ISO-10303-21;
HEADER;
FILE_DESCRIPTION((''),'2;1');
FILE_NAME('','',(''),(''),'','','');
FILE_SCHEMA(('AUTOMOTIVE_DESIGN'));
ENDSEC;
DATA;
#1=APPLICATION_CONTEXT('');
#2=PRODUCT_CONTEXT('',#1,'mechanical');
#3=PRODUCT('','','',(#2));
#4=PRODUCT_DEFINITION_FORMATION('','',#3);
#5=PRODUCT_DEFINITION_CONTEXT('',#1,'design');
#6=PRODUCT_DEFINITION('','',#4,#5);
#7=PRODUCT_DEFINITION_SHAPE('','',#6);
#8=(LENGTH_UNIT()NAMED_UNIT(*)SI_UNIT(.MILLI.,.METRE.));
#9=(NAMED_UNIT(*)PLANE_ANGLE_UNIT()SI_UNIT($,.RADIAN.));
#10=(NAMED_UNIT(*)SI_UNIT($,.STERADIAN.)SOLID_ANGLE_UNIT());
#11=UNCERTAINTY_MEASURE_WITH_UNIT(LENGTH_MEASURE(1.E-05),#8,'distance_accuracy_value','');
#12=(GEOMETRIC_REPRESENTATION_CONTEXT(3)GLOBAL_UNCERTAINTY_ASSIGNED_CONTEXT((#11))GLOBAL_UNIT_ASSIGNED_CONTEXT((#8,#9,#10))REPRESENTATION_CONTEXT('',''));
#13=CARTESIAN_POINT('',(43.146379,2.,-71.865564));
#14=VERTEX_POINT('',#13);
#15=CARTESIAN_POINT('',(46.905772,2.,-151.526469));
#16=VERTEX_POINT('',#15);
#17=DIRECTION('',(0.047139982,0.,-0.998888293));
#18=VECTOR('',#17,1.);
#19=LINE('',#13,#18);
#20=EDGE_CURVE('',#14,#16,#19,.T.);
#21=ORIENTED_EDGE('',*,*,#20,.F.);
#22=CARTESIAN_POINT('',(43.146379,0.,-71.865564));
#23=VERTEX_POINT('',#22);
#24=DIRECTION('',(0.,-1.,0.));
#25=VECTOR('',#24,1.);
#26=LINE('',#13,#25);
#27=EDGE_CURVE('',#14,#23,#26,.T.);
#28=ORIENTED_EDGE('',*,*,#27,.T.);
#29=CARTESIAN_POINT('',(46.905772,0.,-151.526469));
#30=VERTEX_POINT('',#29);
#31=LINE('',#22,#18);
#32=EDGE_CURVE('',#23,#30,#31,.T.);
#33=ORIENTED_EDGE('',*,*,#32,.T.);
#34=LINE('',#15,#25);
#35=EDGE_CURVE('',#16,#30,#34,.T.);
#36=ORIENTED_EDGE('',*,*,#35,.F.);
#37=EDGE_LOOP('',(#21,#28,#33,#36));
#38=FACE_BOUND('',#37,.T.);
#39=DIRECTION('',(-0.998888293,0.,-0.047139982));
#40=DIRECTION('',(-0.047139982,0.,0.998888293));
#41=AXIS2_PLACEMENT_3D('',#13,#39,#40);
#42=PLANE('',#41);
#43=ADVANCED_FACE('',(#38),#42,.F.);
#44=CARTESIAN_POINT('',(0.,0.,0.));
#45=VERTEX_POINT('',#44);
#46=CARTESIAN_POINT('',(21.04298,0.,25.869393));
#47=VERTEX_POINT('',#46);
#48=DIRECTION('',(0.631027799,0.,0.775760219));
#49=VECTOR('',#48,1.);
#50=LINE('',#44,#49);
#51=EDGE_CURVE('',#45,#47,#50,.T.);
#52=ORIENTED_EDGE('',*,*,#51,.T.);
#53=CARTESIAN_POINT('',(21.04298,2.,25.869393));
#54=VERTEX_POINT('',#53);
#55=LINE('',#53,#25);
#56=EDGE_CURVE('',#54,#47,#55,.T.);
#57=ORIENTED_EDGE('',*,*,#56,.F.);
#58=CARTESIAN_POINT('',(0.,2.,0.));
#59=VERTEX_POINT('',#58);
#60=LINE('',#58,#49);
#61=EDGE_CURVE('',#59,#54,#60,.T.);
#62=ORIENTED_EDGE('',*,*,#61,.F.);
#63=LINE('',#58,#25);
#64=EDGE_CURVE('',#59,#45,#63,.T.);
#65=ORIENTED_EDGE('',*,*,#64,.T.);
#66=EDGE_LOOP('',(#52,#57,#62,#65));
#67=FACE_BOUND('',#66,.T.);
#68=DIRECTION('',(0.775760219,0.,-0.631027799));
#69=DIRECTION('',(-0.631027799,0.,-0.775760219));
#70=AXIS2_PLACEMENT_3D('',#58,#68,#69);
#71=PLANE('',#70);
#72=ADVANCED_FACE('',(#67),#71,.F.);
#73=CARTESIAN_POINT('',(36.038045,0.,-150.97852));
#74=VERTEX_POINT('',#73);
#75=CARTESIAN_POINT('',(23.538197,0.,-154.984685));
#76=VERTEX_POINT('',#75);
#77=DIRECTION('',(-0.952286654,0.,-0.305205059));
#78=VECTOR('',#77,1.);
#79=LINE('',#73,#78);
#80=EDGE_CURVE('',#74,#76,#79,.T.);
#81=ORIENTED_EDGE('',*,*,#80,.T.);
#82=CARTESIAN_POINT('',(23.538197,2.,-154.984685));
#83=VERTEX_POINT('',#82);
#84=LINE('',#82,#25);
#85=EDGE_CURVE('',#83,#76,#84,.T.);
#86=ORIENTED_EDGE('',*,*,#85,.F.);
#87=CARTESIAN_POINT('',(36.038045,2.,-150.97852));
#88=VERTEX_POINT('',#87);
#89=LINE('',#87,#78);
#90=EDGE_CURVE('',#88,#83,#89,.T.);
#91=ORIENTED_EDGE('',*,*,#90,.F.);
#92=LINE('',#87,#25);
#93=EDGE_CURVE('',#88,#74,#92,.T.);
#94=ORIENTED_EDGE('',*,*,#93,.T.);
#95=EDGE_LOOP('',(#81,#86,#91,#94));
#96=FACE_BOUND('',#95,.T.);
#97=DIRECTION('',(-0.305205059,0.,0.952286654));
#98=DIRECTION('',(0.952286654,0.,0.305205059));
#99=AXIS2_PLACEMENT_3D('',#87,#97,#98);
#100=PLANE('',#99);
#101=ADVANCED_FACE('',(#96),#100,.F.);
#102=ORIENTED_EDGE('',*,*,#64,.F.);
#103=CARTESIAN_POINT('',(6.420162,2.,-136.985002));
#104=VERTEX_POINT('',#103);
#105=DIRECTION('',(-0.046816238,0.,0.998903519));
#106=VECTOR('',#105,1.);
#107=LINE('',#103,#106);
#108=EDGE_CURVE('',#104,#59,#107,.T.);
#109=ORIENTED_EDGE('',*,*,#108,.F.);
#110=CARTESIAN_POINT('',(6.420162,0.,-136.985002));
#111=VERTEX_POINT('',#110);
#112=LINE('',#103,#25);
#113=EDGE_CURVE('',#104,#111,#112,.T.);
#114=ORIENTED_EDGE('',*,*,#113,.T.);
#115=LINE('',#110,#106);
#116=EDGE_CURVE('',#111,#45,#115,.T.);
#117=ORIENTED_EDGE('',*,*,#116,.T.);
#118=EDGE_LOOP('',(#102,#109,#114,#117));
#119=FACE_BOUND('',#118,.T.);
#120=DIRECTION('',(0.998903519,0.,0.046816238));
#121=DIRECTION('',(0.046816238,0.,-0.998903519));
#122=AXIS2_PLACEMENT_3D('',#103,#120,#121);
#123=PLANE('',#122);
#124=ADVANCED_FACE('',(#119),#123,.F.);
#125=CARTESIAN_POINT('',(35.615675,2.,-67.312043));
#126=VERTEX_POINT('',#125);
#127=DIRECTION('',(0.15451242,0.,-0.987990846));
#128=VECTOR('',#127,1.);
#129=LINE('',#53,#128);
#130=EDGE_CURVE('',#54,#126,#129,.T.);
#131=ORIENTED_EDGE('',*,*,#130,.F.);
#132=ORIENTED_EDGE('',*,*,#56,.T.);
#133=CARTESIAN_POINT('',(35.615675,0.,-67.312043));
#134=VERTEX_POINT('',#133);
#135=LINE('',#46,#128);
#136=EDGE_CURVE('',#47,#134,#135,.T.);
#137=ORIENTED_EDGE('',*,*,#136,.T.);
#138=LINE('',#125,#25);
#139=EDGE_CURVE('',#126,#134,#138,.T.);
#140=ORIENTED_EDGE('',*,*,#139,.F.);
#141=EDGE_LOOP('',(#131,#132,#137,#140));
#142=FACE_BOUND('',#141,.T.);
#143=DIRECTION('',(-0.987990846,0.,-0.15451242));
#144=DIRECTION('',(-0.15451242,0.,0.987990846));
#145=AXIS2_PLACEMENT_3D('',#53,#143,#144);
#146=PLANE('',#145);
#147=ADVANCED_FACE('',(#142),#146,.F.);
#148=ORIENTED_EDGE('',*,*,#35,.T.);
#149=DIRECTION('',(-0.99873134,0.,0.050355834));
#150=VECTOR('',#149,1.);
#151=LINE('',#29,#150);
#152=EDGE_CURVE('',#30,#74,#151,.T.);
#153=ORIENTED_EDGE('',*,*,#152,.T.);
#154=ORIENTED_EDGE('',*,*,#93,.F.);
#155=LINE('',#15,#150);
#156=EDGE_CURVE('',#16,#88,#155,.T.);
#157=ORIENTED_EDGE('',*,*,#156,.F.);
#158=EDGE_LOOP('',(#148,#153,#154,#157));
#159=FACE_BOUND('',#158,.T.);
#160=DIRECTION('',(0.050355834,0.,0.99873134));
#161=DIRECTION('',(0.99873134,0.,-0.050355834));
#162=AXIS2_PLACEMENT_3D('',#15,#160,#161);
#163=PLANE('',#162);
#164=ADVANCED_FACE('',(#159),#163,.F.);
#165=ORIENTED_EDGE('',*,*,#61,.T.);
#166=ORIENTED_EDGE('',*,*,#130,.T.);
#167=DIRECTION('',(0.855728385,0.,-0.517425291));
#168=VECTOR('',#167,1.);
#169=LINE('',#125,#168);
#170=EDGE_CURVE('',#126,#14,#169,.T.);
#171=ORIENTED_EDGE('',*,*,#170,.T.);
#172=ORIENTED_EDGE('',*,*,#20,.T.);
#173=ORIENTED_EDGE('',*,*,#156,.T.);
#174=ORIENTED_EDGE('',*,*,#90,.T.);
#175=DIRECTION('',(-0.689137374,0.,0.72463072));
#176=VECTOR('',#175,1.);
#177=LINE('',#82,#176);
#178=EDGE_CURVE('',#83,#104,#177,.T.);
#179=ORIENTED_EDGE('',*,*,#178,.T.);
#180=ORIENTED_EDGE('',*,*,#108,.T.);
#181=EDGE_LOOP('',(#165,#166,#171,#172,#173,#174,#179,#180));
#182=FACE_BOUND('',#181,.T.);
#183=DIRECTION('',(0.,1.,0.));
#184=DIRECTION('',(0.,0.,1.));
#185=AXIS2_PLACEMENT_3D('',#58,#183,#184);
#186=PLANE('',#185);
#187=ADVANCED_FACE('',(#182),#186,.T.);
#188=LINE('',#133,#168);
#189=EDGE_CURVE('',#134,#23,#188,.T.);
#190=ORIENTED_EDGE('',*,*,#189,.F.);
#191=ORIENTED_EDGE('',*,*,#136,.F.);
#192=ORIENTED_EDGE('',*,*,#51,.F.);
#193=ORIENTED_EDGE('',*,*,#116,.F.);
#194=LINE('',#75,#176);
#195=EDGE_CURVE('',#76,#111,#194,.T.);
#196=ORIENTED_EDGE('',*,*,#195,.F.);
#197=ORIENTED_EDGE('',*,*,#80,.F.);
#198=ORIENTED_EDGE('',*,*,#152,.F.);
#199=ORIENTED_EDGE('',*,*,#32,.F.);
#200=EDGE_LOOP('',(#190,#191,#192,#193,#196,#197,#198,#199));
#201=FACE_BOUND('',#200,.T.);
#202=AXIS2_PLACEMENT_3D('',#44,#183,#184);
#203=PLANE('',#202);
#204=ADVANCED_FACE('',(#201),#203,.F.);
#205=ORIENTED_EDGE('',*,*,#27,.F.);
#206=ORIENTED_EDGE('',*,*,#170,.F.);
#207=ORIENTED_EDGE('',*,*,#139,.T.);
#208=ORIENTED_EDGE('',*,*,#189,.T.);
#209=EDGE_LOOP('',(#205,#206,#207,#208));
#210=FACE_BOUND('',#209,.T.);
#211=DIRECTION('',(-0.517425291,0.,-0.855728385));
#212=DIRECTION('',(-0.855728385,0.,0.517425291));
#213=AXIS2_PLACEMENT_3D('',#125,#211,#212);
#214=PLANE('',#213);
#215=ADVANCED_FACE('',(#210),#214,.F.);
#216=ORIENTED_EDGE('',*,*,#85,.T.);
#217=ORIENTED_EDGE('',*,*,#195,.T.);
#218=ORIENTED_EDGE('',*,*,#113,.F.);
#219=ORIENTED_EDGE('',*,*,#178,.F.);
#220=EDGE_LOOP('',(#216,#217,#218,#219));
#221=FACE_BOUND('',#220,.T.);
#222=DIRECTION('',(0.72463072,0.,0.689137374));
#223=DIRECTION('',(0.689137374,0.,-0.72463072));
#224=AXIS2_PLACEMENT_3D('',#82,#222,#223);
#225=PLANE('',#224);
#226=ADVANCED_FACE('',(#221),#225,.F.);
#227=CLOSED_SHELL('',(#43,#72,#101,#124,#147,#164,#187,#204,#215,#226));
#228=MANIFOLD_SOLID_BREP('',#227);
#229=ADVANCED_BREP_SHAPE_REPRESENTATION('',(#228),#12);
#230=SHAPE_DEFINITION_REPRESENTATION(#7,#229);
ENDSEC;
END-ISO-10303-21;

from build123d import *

# Parameters (mm, degrees)
BOSS_EXTRU_1_DEPTH = 2


with BuildPart() as part:
    # Esquisse1 → Boss.-Extru.1 (new body)
    with BuildSketch(Plane(origin=(0, 0, 0), x_dir=(1, 0, 0), z_dir=(0, 1, 0))):
        Polygon((46.905771836, 151.526469081), (36.038044595, 150.978520449), (23.538196974, 154.984684673), (6.420162087, 136.985002161), (0, 0), (21.042979561, -25.869393476), (35.615674602, 67.312043067), (43.146378805, 71.865563651), align=None)
    extrude(amount=BOSS_EXTRU_1_DEPTH)


solid = part.part
